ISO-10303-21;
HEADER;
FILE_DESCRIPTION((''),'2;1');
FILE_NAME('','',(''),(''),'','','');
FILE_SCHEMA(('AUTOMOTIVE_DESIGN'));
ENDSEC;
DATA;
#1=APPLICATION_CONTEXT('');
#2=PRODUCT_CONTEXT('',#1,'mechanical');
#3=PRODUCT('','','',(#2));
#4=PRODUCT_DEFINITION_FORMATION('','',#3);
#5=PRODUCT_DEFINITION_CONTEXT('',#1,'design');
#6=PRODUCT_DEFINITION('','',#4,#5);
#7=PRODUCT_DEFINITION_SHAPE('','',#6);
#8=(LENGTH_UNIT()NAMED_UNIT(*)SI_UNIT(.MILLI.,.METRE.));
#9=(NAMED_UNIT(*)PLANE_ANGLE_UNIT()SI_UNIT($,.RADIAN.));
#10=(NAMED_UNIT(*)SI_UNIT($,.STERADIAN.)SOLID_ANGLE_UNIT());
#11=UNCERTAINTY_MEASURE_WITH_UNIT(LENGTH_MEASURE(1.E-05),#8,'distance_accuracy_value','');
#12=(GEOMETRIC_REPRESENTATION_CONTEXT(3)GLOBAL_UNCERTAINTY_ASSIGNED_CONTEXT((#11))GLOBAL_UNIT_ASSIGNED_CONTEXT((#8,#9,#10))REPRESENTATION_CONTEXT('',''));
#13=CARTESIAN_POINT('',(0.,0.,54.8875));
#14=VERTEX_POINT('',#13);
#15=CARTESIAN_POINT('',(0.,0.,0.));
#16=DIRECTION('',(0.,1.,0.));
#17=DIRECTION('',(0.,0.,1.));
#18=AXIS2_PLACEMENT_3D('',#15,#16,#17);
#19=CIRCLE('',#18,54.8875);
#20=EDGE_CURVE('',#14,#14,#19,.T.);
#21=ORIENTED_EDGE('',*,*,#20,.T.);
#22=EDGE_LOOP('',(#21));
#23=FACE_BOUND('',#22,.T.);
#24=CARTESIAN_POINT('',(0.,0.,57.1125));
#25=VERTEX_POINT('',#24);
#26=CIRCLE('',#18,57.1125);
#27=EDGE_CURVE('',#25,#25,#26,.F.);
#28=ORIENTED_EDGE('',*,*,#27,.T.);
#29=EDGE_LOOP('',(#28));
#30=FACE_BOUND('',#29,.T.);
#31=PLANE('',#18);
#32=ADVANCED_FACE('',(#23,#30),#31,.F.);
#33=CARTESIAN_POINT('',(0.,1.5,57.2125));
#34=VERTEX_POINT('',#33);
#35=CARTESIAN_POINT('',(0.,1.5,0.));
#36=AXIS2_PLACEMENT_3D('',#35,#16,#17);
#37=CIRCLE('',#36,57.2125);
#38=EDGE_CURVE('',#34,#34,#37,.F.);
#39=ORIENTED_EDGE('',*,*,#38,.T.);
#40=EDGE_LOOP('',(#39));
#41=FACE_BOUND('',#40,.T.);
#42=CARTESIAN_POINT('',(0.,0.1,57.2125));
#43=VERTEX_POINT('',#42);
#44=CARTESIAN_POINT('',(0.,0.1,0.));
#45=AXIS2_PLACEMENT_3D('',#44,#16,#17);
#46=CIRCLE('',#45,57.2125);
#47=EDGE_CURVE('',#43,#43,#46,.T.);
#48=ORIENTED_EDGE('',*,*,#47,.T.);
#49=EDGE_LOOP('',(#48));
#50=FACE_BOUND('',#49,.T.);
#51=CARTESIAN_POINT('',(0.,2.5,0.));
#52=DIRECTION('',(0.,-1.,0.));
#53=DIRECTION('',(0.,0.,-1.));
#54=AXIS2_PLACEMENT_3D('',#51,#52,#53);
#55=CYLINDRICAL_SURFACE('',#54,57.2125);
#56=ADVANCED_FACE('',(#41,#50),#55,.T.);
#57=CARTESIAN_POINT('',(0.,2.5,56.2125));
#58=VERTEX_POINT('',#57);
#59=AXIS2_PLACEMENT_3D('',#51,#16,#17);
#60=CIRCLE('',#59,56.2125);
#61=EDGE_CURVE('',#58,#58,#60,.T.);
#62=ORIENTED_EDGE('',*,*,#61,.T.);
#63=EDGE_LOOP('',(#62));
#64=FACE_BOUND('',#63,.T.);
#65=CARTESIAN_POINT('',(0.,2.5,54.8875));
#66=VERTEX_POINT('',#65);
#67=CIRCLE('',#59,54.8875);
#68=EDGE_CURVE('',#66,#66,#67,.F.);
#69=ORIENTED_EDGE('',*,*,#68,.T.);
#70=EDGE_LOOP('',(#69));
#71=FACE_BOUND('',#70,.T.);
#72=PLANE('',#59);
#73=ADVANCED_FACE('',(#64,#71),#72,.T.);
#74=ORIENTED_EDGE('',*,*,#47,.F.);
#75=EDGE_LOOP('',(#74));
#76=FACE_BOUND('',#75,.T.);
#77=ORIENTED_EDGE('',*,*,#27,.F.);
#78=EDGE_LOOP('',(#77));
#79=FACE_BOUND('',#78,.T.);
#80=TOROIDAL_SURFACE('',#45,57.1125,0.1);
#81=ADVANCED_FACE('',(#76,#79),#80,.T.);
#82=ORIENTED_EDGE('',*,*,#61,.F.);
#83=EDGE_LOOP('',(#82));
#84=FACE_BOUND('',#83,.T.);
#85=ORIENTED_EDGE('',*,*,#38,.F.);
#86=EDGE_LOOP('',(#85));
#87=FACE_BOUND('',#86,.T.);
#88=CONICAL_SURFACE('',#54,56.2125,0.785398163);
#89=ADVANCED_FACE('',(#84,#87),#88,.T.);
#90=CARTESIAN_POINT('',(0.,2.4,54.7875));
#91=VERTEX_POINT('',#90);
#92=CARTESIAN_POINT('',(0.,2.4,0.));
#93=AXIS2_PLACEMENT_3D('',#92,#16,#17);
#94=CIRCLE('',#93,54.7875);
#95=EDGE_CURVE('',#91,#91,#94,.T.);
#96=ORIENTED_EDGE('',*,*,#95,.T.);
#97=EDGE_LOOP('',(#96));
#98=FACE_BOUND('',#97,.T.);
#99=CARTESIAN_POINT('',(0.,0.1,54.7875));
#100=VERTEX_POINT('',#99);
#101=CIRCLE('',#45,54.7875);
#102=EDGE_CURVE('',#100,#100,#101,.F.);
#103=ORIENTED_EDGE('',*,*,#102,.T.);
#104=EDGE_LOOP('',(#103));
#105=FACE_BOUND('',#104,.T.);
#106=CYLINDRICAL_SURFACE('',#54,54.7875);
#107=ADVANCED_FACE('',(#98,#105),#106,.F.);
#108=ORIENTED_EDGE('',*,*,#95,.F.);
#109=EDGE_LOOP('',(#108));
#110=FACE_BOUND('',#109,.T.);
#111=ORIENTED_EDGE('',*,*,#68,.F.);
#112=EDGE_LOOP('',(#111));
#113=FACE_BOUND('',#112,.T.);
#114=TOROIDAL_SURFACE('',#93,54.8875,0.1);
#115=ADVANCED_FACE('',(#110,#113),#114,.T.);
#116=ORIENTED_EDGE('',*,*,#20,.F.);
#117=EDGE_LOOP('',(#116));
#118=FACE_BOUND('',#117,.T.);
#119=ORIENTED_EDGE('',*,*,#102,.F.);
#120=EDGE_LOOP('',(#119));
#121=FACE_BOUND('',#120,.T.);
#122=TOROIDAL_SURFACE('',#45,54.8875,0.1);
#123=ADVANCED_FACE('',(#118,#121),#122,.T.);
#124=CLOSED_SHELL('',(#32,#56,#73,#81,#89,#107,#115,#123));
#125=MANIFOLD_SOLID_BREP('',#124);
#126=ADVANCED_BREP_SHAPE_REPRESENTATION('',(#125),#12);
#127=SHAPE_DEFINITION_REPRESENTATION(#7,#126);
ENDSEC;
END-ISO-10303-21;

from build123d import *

# Parameters (mm, degrees)
SKETCH1_R           = 57.2125
SKETCH1_R_2         = 54.7875
BOSS_EXTRUDE1_DEPTH = 2.5
CHAMFER1_SIZE       = 1
FILLET1_R           = 0.1


with BuildPart() as part:
    # Sketch1 → Boss-Extrude1 (new body)
    with BuildSketch(Plane(origin=(0, 0, 0), x_dir=(1, 0, 0), z_dir=(0, 1, 0))):
        with Locations(Location((0, 0, 0), (0, 0, 270))):
            Circle(SKETCH1_R)
        with Locations(Location((0, 0, 0), (0, 0, 270))):
            Circle(SKETCH1_R_2, mode=Mode.SUBTRACT)
    extrude(amount=BOSS_EXTRUDE1_DEPTH)

    # Chamfer1
    chamfer1_edges = [part.edges().sort_by_distance(p)[0] for p in [
        (0, 2.5, -57.2125),
    ]]
    chamfer(chamfer1_edges, length=CHAMFER1_SIZE)

    # Fillet1
    fillet1_edges = [part.edges().sort_by_distance(p)[0] for p in [
        (0, 0, -57.2125),
        (0, 0, -54.7875),
        (0, 2.5, -54.7875),
    ]]
    fillet(fillet1_edges, radius=FILLET1_R)


solid = part.part
